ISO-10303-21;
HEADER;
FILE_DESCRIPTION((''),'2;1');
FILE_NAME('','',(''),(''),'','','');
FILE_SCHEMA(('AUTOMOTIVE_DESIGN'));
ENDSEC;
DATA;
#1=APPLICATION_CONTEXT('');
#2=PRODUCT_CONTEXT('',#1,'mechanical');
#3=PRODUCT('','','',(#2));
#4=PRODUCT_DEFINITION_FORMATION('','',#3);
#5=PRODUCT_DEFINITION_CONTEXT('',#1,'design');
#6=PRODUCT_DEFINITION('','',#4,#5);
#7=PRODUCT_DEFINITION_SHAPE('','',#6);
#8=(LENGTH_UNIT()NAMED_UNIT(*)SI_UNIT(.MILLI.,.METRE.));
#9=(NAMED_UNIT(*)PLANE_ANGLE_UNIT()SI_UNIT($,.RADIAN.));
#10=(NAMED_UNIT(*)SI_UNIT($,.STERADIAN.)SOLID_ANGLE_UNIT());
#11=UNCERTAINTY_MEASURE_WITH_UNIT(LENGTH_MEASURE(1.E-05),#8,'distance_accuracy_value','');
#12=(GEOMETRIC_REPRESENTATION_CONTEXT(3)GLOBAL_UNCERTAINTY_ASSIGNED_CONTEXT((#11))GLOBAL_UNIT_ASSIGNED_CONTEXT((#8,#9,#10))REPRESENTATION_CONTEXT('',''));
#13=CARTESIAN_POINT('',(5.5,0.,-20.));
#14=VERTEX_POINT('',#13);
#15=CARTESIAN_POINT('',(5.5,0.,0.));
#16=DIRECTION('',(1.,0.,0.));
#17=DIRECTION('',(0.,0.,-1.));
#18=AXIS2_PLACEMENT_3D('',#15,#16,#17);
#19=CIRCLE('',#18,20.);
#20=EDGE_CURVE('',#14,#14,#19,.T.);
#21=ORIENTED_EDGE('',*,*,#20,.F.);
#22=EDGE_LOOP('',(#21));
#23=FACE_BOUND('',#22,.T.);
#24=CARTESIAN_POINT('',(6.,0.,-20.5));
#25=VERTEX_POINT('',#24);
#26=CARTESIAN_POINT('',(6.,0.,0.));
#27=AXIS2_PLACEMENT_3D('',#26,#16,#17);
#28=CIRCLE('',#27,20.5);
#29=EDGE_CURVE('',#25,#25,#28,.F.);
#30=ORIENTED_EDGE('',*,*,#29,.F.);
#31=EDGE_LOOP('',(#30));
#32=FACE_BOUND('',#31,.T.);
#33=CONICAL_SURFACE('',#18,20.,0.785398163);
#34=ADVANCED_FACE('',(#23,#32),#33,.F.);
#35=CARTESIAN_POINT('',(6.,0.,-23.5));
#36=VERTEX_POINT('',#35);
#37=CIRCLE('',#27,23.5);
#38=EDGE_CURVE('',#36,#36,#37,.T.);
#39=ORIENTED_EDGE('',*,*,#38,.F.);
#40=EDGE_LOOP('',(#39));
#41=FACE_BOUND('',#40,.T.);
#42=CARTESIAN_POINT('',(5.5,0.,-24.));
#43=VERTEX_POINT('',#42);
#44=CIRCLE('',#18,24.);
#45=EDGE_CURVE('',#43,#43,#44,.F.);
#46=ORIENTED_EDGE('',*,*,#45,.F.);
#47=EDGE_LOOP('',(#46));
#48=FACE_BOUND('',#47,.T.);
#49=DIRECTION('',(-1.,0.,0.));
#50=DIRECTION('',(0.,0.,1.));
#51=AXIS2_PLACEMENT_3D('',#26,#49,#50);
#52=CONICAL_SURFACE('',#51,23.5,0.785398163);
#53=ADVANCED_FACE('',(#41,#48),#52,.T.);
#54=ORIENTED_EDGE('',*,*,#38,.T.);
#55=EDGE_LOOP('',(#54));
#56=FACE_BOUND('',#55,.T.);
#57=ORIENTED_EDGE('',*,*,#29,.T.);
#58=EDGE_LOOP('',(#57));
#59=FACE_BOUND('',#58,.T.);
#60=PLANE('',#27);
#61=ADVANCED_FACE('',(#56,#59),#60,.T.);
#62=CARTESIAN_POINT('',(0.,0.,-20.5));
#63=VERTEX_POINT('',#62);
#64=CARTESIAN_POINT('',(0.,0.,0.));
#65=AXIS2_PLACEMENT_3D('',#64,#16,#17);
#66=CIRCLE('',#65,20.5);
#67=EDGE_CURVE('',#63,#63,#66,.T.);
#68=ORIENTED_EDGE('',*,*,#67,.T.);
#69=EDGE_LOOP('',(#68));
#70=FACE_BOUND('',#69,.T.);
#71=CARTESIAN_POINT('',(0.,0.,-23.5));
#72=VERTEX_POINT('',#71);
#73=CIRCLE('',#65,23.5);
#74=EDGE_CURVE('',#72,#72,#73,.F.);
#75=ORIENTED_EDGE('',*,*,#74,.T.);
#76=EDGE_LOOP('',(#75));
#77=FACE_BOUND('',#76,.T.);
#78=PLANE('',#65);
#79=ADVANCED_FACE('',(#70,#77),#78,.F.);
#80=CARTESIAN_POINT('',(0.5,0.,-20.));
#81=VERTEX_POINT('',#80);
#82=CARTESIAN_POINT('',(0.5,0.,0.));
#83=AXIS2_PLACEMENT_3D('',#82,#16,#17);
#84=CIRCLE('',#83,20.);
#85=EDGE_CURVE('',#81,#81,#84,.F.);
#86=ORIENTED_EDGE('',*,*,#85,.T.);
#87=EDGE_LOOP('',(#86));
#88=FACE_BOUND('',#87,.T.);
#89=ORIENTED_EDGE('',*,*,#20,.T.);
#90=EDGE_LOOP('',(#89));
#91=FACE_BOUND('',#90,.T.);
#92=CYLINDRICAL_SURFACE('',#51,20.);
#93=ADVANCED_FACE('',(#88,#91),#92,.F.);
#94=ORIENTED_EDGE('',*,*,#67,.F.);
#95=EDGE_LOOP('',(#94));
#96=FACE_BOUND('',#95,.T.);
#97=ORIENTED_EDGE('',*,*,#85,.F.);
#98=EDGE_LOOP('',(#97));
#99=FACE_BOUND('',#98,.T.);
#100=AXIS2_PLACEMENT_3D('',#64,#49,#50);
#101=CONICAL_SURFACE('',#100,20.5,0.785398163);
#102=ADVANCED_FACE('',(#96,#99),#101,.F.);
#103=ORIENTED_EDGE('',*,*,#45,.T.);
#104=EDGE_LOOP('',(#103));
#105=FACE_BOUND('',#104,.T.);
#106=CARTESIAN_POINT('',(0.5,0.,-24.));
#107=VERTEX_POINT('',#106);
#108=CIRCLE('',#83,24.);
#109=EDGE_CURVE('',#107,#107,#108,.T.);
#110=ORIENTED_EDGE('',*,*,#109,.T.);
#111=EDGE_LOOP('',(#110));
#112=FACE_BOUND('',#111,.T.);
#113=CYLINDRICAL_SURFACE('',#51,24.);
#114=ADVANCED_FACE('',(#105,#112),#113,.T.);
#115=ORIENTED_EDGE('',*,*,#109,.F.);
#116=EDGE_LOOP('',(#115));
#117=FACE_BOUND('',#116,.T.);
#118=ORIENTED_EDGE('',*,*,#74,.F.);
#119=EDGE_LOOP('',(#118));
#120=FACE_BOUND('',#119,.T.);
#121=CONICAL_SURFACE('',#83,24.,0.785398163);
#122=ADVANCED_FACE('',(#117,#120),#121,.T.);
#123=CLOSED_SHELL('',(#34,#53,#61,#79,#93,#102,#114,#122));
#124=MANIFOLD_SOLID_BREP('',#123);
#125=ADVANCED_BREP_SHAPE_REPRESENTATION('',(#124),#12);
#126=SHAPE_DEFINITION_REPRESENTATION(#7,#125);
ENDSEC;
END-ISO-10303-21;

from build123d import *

# Parameters (mm, degrees)
SKETCH_1_R      = 24
SKETCH_1_R_2    = 20
EXTRUDE_1_DEPTH = 6
CHAMFER_1_SIZE  = 0.5


with BuildPart() as part:
    # 草图1 → 凸台-拉伸1 (new body)
    with BuildSketch(Plane(origin=(0, 0, 0), x_dir=(0, 0, -1), z_dir=(1, 0, 0))):
        Circle(SKETCH_1_R)
        Circle(SKETCH_1_R_2, mode=Mode.SUBTRACT)
    extrude(amount=EXTRUDE_1_DEPTH)

    # 倒角1
    chamfer_1_edges = [part.edges().sort_by_distance(p)[0] for p in [
        (0, 0, 24),
        (6, 0, 24),
        (0, 0, 20),
        (6, 0, 20),
    ]]
    chamfer(chamfer_1_edges, length=CHAMFER_1_SIZE)


solid = part.part
